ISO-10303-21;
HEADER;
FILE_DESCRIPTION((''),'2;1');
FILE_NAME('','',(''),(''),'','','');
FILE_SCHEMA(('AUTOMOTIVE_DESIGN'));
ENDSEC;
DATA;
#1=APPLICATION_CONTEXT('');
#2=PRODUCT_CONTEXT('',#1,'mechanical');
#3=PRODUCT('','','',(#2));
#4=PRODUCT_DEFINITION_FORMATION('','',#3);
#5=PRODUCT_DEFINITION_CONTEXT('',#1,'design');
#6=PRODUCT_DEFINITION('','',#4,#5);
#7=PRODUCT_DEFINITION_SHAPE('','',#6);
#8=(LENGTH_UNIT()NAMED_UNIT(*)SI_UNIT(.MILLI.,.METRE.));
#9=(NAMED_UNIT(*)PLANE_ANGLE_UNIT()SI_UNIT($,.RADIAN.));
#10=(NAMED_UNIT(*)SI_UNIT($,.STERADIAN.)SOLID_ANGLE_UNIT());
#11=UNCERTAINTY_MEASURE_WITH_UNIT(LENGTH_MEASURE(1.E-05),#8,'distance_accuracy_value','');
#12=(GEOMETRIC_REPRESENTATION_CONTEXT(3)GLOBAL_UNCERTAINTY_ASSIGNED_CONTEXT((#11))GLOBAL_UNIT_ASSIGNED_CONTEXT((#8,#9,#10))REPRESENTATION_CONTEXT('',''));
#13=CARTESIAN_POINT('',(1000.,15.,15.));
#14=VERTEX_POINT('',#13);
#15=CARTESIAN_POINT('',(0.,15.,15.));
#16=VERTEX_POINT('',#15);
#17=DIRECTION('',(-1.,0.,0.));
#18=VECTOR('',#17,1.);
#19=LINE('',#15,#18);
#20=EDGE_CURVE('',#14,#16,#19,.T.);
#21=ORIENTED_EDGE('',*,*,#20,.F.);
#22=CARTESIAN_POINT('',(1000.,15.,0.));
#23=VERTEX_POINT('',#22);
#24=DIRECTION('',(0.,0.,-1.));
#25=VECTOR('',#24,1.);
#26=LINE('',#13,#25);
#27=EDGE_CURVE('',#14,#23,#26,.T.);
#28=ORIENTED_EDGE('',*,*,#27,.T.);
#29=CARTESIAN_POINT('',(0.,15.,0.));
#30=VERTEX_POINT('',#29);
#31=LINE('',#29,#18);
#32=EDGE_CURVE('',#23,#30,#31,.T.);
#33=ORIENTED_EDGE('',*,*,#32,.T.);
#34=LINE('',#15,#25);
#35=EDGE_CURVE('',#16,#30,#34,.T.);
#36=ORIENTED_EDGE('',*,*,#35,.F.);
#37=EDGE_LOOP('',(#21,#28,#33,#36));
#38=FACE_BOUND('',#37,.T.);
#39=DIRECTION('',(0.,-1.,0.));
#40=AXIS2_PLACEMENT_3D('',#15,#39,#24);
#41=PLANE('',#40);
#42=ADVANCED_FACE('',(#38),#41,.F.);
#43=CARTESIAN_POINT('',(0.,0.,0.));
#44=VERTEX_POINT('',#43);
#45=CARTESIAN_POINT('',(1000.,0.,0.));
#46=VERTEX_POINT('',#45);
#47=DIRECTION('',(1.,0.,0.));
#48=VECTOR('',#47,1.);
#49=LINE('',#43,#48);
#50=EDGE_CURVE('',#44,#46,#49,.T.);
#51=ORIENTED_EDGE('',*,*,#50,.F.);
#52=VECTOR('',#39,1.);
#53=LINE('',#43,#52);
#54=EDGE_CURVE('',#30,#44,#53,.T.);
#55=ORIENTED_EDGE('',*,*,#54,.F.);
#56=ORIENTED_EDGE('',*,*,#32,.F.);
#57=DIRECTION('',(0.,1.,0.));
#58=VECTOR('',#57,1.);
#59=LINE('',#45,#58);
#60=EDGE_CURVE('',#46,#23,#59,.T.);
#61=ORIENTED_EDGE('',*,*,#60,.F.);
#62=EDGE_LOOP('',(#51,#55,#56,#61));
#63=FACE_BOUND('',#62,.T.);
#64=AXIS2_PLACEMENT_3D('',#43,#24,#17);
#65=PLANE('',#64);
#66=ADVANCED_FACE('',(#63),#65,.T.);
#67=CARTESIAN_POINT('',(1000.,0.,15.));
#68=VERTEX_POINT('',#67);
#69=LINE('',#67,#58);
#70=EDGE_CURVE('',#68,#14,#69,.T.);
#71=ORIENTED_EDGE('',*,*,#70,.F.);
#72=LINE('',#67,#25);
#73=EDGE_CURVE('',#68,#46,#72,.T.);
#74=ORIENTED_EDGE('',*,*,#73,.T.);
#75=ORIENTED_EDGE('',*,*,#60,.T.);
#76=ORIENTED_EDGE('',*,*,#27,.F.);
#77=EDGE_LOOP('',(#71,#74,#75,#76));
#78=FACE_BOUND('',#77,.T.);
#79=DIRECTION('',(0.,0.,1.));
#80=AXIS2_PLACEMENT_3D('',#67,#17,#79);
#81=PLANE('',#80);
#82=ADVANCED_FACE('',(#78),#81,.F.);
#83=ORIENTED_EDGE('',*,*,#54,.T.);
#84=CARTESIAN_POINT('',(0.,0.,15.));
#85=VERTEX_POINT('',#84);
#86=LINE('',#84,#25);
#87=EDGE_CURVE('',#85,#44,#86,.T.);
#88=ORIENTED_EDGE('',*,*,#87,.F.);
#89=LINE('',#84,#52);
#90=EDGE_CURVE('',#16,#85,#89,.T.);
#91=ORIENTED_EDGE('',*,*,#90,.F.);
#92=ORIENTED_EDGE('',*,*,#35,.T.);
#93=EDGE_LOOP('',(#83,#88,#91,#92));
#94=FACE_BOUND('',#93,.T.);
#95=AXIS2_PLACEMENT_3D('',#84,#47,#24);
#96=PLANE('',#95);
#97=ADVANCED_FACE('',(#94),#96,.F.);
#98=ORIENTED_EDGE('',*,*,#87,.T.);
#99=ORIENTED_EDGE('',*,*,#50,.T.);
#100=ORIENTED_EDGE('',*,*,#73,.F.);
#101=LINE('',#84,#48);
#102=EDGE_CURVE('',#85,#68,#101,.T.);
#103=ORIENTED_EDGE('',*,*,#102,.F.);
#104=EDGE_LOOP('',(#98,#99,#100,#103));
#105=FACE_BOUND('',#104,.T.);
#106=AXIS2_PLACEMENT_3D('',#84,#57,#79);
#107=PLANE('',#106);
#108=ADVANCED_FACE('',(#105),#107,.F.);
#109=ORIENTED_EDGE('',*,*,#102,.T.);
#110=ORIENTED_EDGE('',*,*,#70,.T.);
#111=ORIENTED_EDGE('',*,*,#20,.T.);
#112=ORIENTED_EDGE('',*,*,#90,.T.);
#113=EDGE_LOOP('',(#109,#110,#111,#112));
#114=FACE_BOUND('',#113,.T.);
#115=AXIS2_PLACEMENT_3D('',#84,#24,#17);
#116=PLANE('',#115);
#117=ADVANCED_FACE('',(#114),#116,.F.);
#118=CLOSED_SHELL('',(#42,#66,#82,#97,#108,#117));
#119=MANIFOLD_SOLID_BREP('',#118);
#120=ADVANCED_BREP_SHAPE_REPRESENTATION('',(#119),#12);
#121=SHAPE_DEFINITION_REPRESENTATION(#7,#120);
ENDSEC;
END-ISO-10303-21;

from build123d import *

# Parameters (mm, degrees)
SKETCH1_W           = 100
SKETCH1_H           = 1.5
BOSS_EXTRUDE1_DEPTH = 1.5
SCALE1_SCALE        = 10


with BuildPart() as part:
    # Sketch1 → Boss-Extrude1 (new body)
    with BuildSketch(Plane.XY):
        with Locations((50, 0.75)):
            Rectangle(SKETCH1_W, SKETCH1_H)
    extrude(amount=BOSS_EXTRUDE1_DEPTH)


with BuildPart() as part_1:
    # Scale1: scaled about (0, 0, 0)
    add(part.part.scale(SCALE1_SCALE))


solid = part_1.part
